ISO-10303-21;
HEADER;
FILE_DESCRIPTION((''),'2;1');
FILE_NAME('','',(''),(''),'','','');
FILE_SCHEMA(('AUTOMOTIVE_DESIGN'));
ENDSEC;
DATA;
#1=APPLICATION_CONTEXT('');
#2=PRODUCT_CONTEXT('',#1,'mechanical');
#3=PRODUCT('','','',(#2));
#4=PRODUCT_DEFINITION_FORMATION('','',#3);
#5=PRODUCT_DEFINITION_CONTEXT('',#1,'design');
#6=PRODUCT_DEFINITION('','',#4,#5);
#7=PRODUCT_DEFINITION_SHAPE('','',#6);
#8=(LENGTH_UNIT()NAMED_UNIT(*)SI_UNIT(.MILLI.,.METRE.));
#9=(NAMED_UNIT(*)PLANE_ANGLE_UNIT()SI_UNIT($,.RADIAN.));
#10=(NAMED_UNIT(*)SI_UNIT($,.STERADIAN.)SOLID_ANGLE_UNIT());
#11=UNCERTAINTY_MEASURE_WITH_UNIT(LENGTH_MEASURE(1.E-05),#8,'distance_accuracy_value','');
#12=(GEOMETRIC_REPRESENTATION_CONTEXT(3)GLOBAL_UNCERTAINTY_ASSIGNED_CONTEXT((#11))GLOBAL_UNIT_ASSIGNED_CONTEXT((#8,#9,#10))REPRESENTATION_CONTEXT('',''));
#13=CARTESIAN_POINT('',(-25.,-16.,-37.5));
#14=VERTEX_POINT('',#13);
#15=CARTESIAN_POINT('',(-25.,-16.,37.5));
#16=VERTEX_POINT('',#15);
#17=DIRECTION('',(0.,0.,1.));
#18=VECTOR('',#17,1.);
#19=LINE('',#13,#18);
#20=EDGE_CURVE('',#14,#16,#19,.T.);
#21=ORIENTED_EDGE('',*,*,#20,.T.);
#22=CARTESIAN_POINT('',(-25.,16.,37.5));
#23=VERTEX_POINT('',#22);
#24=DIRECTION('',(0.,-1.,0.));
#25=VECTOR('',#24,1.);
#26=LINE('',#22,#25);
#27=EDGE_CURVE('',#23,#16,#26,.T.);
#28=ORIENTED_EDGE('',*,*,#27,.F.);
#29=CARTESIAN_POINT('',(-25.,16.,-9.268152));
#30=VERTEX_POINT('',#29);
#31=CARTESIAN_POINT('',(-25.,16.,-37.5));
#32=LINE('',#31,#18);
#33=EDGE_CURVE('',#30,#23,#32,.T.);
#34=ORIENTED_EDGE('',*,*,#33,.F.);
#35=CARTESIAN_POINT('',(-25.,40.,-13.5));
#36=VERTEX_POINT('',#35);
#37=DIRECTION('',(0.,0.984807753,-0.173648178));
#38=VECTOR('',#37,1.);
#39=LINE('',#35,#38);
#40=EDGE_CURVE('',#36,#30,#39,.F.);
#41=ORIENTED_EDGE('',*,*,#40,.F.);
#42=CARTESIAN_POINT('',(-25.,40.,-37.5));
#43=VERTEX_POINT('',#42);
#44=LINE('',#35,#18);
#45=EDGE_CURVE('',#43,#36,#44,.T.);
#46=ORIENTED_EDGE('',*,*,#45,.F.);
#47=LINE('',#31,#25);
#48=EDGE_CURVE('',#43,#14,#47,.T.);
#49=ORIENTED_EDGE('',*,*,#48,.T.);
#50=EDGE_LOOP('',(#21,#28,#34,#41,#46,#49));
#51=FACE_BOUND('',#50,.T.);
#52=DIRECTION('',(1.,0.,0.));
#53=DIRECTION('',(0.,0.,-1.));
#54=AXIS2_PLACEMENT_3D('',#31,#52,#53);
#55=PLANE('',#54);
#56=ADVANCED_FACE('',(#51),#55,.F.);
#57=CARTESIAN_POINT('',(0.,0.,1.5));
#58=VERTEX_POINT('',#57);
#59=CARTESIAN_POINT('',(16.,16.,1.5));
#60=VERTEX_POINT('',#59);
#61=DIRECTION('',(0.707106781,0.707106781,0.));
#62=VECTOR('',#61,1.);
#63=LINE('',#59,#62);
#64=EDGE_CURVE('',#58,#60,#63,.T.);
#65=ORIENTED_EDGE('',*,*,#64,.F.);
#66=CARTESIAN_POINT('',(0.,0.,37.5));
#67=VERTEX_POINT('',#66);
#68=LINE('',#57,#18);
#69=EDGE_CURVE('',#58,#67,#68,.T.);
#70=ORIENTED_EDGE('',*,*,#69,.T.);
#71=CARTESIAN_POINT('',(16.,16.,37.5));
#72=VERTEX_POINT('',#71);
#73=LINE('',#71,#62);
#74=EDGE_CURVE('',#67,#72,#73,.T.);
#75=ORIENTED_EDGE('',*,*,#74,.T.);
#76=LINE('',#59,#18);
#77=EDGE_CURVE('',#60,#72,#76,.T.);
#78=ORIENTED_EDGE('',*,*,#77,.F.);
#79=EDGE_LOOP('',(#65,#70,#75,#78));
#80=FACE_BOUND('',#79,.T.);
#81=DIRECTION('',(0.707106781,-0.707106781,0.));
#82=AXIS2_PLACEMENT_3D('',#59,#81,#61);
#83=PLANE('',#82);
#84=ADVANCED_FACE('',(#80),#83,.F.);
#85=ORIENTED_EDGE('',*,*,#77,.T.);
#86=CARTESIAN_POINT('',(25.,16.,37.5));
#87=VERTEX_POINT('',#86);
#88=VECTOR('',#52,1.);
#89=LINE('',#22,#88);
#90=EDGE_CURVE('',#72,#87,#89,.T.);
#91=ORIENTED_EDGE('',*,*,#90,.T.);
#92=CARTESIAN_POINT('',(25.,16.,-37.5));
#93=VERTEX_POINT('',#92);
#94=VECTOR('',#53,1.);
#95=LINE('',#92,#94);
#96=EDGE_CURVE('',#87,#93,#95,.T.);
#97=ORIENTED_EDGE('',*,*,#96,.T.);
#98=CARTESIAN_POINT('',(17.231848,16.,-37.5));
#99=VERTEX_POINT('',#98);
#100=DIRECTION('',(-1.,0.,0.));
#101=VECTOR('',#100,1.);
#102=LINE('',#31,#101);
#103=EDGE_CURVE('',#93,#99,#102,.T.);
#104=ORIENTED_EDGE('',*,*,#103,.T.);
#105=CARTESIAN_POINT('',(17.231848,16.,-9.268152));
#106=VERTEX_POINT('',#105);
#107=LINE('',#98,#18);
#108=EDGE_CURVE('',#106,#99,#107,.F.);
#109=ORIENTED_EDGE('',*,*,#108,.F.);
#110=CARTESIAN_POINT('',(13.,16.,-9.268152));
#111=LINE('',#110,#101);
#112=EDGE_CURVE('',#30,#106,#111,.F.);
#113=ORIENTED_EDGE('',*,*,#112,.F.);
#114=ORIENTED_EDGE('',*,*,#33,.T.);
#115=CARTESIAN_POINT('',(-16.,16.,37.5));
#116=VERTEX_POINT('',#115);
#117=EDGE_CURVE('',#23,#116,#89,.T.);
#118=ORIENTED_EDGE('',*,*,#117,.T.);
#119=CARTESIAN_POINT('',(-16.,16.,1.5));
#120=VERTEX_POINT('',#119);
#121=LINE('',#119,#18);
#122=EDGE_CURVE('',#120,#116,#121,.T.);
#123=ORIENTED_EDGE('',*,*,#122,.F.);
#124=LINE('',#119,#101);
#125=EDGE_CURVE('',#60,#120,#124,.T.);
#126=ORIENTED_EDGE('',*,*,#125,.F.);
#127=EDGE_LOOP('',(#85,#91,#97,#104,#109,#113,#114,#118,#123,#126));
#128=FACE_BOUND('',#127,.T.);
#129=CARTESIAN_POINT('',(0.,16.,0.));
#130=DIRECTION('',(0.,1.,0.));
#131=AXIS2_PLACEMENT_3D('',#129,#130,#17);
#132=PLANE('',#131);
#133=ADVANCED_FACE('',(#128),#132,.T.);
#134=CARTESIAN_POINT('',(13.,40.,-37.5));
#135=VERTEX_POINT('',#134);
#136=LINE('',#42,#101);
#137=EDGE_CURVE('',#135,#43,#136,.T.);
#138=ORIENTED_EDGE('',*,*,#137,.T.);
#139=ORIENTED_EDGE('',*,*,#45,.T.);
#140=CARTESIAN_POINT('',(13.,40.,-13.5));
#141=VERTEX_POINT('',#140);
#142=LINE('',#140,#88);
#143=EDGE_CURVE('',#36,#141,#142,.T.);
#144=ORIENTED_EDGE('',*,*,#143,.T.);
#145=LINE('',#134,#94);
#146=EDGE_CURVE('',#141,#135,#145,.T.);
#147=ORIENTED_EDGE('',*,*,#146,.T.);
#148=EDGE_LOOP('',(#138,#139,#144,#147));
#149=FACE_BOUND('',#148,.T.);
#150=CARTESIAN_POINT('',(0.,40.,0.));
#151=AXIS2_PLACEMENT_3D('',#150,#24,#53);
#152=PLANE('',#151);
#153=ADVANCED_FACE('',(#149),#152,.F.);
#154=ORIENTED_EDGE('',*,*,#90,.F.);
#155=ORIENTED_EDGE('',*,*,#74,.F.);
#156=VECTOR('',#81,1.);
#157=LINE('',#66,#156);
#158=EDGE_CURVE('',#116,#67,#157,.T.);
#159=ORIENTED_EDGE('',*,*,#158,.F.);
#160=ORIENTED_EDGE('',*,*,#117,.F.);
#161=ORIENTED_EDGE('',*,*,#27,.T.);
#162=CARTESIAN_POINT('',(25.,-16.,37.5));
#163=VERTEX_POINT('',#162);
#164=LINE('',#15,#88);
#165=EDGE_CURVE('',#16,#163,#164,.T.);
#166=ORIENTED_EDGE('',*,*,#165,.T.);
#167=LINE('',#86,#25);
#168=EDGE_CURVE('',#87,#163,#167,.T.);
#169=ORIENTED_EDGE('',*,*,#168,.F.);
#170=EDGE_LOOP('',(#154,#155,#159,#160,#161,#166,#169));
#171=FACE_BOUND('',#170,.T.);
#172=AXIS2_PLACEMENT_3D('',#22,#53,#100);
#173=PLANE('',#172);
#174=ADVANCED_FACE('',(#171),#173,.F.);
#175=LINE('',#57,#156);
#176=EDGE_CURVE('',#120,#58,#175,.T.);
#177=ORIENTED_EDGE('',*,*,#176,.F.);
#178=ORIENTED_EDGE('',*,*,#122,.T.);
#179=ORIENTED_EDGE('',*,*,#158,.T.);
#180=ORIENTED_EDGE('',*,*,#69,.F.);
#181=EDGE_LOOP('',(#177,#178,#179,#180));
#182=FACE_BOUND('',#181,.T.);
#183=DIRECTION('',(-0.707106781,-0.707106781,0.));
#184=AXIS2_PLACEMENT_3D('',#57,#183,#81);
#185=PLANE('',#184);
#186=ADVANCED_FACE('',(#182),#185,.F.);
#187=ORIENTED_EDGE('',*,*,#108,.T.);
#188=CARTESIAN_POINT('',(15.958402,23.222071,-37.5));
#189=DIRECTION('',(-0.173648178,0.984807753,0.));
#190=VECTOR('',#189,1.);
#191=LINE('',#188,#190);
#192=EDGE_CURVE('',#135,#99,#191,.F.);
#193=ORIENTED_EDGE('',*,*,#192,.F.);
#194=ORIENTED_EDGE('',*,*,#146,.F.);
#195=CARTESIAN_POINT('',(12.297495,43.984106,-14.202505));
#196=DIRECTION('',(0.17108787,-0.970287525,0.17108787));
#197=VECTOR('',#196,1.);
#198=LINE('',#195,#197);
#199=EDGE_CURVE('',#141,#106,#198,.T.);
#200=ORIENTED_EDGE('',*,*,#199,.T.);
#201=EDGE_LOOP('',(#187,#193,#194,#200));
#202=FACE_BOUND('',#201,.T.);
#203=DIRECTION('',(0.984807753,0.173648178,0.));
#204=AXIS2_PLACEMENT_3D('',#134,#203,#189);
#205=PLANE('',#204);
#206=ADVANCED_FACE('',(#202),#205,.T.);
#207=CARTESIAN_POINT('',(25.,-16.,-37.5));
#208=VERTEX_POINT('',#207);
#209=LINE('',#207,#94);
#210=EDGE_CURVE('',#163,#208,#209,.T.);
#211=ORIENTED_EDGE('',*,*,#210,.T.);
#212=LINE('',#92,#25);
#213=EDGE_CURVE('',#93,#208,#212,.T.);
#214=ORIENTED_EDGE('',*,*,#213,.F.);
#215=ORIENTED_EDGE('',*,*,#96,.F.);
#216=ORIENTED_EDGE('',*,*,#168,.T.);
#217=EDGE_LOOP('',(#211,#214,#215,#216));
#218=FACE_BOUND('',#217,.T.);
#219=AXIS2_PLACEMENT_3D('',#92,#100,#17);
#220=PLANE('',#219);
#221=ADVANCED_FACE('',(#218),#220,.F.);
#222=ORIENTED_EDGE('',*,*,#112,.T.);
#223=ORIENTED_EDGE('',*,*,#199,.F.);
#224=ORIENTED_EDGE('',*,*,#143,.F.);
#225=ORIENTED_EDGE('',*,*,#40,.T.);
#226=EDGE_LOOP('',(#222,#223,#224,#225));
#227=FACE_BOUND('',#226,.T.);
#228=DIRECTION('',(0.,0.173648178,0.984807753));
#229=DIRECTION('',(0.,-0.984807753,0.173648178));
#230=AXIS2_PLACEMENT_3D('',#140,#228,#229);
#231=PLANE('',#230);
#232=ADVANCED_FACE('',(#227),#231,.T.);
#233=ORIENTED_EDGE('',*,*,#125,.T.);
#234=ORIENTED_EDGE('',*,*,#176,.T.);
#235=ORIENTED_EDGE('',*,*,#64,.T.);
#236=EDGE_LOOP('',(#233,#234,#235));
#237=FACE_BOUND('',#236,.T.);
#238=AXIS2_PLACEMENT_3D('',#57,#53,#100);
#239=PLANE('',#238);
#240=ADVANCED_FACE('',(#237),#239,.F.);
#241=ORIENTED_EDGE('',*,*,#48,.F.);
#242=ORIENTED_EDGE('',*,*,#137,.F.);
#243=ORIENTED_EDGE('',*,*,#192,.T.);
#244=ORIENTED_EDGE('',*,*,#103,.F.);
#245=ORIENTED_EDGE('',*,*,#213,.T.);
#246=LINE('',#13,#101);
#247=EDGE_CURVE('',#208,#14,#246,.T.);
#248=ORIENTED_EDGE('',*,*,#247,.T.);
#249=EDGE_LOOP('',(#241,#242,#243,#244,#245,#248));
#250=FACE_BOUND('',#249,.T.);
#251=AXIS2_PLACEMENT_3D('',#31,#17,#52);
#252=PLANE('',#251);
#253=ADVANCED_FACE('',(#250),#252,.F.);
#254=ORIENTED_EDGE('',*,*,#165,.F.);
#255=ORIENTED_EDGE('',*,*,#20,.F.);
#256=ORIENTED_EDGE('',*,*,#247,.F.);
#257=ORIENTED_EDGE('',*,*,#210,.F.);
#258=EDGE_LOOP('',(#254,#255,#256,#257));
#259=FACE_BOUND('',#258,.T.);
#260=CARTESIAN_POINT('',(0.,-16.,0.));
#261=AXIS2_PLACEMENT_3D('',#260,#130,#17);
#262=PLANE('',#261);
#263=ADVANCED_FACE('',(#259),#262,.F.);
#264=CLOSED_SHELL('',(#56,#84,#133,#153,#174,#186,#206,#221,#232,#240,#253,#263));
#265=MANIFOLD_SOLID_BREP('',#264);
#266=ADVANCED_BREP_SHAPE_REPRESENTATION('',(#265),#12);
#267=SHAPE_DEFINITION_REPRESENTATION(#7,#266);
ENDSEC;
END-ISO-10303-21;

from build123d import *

# Parameters (mm, degrees)
SKETCH1_W           = 50
SKETCH1_H           = 75
BOSS_EXTRUDE1_DEPTH = 16
CUT_EXTRUDE1_DEPTH  = 36
SKETCH3_W           = 38
SKETCH3_H           = 24
BOSS_EXTRUDE4_DEPTH = 24
DRAFT2_ANGLE        = 10


with BuildPart() as part:
    # Sketch1 → Boss-Extrude1 (new, symmetric)
    with BuildSketch(Plane(origin=(0, 0, 0), x_dir=(1, 0, 0), z_dir=(0, 1, 0))):
        Rectangle(SKETCH1_W, SKETCH1_H)
    extrude(amount=BOSS_EXTRUDE1_DEPTH, both=True)

    # Sketch2 → Cut-Extrude1 (cut)
    with BuildSketch(Plane.XY.offset(37.5)):
        Polygon((0, 0), (-16, 16), (16, 16), align=None)
    extrude(amount=-CUT_EXTRUDE1_DEPTH, mode=Mode.SUBTRACT)

    # Sketch3 → Boss-Extrude4 (add)
    with BuildSketch(Plane(origin=(0, 16, 0), x_dir=(1, 0, 0), z_dir=(0, 1, 0))):
        with Locations((-6, 25.5)):
            Rectangle(SKETCH3_W, SKETCH3_H)
    extrude(amount=BOSS_EXTRUDE4_DEPTH)

    # Draft2
    draft2_faces = [part.faces().sort_by_distance(p)[0] for p in [
        (13, 28, -25.5),
        (-6, 28, -13.5),
    ]]
    draft(draft2_faces, Plane.ZX.offset(40), DRAFT2_ANGLE)


solid = part.part
